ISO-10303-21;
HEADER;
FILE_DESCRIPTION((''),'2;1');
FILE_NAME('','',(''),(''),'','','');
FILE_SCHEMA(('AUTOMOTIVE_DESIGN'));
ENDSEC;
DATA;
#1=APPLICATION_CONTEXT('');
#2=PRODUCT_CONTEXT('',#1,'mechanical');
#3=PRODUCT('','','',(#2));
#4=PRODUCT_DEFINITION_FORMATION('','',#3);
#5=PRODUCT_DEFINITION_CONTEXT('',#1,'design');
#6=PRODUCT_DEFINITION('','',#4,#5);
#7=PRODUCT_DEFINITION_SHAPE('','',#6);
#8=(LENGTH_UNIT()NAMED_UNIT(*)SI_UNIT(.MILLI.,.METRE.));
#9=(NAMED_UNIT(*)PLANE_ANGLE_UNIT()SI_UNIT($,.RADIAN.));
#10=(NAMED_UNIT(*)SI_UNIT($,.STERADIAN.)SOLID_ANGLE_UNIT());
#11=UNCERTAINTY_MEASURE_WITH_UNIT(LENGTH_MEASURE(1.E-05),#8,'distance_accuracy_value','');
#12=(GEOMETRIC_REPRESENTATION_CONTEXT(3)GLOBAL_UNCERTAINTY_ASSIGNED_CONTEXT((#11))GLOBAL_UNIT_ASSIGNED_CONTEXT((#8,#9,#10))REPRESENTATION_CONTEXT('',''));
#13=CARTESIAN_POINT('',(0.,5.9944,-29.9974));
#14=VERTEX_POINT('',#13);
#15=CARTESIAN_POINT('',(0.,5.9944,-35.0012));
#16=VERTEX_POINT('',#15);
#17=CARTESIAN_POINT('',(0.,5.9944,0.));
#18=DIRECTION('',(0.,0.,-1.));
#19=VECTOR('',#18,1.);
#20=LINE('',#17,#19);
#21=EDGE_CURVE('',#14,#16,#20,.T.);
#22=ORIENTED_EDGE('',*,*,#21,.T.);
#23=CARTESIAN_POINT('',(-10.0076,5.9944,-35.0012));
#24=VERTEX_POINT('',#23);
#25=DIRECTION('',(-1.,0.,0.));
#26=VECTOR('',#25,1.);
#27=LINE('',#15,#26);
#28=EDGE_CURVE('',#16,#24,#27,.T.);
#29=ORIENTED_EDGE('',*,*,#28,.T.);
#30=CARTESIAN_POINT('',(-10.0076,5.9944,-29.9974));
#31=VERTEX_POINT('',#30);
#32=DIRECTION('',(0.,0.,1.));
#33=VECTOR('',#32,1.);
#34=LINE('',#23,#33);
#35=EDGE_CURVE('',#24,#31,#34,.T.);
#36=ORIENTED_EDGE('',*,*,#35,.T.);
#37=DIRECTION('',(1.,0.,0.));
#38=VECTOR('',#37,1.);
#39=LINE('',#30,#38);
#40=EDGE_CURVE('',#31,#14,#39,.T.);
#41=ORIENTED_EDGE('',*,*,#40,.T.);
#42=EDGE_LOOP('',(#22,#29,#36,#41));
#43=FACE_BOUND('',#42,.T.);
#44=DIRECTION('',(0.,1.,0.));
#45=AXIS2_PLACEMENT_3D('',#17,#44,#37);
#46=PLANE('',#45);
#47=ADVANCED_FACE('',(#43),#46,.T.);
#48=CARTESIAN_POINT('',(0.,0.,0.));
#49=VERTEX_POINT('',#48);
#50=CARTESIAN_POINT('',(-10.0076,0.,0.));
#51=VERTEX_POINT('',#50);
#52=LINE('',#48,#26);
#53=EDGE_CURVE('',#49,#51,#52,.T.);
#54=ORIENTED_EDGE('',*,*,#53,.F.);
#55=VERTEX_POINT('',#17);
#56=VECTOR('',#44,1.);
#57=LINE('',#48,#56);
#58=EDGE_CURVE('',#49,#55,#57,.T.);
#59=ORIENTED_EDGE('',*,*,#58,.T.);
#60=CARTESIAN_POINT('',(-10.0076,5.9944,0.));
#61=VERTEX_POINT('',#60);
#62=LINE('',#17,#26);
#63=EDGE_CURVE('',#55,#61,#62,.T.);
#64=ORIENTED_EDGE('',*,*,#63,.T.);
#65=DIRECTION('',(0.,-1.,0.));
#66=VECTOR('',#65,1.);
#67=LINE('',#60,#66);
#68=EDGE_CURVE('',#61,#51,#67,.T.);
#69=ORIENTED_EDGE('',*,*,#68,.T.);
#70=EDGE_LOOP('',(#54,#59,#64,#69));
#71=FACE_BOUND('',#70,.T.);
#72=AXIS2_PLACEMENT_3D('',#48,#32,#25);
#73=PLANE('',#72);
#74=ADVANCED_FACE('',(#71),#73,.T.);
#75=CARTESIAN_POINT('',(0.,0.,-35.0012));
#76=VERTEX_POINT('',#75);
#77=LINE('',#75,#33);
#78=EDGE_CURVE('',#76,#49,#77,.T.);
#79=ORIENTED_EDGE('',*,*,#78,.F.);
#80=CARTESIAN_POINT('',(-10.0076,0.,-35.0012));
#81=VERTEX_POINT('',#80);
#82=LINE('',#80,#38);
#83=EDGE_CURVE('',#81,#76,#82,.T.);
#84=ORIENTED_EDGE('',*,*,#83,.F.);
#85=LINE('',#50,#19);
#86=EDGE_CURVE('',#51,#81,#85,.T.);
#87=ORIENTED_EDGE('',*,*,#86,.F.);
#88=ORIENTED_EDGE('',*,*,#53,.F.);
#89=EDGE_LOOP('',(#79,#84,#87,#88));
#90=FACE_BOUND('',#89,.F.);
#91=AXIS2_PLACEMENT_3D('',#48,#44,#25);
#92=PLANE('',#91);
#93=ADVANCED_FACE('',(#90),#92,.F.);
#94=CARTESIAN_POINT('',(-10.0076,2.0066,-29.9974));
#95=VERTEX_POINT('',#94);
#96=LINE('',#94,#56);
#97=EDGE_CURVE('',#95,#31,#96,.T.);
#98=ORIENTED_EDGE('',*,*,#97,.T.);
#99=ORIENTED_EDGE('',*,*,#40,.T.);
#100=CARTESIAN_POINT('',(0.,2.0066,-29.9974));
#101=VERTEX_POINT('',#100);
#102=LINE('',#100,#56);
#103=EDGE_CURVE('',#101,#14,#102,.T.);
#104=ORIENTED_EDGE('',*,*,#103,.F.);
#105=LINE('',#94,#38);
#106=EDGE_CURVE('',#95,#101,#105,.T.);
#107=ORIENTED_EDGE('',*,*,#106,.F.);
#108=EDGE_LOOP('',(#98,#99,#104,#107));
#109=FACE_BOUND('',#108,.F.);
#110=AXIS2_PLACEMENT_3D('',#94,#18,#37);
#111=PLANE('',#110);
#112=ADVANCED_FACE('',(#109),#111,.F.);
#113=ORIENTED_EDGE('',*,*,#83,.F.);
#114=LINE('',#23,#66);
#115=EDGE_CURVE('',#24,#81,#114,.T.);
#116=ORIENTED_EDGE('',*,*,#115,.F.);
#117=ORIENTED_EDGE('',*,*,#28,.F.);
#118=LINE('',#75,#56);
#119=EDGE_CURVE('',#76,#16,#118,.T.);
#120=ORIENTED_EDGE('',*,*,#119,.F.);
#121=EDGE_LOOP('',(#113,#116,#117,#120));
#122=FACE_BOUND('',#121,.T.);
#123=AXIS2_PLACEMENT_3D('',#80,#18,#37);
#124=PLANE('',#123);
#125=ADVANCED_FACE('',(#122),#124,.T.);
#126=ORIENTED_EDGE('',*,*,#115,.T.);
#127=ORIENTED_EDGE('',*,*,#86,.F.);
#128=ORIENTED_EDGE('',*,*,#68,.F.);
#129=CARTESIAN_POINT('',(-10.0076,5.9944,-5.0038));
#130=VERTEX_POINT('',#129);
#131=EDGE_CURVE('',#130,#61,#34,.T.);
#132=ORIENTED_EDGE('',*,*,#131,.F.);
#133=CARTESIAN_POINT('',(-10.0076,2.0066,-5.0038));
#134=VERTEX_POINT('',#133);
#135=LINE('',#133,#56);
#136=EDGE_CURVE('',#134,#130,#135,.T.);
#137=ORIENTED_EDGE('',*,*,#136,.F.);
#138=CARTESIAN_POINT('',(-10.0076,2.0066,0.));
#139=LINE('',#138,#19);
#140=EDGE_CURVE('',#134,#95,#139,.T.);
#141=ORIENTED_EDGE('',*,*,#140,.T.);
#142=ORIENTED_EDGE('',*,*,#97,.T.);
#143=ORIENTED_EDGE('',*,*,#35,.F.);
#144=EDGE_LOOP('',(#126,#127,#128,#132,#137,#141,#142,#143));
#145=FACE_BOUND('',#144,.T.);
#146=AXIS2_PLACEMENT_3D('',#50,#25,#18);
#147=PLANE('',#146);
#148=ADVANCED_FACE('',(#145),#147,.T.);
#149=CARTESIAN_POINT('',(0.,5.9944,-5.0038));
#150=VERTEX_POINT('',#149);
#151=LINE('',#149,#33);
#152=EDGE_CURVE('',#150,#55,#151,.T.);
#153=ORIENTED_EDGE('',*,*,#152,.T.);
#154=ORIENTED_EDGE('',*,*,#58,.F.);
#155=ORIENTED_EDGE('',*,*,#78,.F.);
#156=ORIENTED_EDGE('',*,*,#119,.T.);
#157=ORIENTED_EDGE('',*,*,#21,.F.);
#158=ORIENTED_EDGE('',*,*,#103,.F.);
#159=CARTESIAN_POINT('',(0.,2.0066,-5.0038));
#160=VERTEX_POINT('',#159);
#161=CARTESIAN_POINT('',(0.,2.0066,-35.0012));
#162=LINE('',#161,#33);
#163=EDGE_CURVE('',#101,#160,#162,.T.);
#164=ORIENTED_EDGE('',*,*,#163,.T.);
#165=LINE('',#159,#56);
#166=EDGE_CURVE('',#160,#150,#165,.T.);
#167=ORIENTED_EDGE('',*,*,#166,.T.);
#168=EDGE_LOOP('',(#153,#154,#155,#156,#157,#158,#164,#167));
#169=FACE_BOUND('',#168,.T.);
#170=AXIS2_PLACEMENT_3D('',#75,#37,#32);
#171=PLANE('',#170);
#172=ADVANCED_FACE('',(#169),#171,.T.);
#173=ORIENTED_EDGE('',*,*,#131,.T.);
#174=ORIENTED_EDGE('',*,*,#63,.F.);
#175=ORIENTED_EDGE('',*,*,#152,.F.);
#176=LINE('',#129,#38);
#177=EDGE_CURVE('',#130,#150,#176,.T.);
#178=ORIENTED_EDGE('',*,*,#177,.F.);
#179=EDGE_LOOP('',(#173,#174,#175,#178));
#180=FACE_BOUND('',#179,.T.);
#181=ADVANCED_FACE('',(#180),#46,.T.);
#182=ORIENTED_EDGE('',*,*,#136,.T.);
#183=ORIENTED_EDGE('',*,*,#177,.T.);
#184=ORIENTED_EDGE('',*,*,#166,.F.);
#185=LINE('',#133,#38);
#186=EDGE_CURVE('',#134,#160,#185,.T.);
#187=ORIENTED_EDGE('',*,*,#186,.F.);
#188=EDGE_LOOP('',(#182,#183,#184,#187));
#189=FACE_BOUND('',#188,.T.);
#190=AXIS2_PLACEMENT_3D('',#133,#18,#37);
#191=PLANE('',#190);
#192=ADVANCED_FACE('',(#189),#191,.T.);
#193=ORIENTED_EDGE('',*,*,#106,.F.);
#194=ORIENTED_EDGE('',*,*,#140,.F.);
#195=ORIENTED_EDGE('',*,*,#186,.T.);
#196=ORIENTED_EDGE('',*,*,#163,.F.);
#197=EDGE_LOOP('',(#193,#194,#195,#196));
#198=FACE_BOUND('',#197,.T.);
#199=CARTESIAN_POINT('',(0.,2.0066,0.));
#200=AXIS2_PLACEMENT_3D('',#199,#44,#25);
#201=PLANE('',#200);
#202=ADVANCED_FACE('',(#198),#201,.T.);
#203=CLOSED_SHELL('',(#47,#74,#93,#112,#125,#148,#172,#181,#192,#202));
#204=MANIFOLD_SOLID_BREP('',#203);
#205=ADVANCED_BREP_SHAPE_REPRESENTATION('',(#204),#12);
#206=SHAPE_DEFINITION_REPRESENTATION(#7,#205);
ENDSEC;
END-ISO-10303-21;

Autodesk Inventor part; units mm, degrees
ref_plane "YZ Plane" through (0, 0, 0) normal (1, 0, 0) x (0, 1, 0)
ref_plane "XZ Plane" through (0, 0, 0) normal (0, 1, 0) x (-1, 0, 0)
ref_plane "XY Plane" through (0, 0, 0) normal (0, 0, 1) x (1, 0, 0)
sketch "Sketch1" plane through (0, 0, 0) normal (0, 1, 0) x (-1, 0, 0)
  line L0 (0, 0) -> (10.0076, 0)
  line L1 (10.0076, 0) -> (10.0076, -35.0012)
  line L2 (10.0076, -35.0012) -> (0, -35.0012)
  line L3 (0, -35.0012) -> (0, 0)
  dimension "d0" = 10.0076
  dimension "d1" = 35.0012
extrude "Extrusion1" add sketch "Sketch1" along normal blind 2.0066
sketch "Sketch2" plane through (0, 2.0066, 0) normal (0, 1, 0) x (1, 0, 0)
  line L0 (-10.0076, 35.0012) -> (-10.0076, 0) projected
  line L1 (0, 0) -> (-10.0076, 0)
  line L2 (-10.0076, 0) -> (-10.0076, 5.0038)
  line L3 (-10.0076, 5.0038) -> (0, 5.0038)
  line L4 (0, 5.0038) -> (0, 0)
  line L5 (0, 0) -> (0, 35.0012) projected
  line L6 (0, 35.0012) -> (-10.0076, 35.0012)
  line L7 (-10.0076, 35.0012) -> (-10.0076, 29.9974)
  line L8 (-10.0076, 29.9974) -> (0, 29.9974)
  line L9 (0, 29.9974) -> (0, 35.0012)
  dimension "d4" = 5.0038
  dimension "d5" = 5.0038
extrude "Extrusion2" add sketch "Sketch2" along normal blind 3.9878 contours L6 L5 L8 L0 | L3 L4 L1 L0
properties part number "Loop"
